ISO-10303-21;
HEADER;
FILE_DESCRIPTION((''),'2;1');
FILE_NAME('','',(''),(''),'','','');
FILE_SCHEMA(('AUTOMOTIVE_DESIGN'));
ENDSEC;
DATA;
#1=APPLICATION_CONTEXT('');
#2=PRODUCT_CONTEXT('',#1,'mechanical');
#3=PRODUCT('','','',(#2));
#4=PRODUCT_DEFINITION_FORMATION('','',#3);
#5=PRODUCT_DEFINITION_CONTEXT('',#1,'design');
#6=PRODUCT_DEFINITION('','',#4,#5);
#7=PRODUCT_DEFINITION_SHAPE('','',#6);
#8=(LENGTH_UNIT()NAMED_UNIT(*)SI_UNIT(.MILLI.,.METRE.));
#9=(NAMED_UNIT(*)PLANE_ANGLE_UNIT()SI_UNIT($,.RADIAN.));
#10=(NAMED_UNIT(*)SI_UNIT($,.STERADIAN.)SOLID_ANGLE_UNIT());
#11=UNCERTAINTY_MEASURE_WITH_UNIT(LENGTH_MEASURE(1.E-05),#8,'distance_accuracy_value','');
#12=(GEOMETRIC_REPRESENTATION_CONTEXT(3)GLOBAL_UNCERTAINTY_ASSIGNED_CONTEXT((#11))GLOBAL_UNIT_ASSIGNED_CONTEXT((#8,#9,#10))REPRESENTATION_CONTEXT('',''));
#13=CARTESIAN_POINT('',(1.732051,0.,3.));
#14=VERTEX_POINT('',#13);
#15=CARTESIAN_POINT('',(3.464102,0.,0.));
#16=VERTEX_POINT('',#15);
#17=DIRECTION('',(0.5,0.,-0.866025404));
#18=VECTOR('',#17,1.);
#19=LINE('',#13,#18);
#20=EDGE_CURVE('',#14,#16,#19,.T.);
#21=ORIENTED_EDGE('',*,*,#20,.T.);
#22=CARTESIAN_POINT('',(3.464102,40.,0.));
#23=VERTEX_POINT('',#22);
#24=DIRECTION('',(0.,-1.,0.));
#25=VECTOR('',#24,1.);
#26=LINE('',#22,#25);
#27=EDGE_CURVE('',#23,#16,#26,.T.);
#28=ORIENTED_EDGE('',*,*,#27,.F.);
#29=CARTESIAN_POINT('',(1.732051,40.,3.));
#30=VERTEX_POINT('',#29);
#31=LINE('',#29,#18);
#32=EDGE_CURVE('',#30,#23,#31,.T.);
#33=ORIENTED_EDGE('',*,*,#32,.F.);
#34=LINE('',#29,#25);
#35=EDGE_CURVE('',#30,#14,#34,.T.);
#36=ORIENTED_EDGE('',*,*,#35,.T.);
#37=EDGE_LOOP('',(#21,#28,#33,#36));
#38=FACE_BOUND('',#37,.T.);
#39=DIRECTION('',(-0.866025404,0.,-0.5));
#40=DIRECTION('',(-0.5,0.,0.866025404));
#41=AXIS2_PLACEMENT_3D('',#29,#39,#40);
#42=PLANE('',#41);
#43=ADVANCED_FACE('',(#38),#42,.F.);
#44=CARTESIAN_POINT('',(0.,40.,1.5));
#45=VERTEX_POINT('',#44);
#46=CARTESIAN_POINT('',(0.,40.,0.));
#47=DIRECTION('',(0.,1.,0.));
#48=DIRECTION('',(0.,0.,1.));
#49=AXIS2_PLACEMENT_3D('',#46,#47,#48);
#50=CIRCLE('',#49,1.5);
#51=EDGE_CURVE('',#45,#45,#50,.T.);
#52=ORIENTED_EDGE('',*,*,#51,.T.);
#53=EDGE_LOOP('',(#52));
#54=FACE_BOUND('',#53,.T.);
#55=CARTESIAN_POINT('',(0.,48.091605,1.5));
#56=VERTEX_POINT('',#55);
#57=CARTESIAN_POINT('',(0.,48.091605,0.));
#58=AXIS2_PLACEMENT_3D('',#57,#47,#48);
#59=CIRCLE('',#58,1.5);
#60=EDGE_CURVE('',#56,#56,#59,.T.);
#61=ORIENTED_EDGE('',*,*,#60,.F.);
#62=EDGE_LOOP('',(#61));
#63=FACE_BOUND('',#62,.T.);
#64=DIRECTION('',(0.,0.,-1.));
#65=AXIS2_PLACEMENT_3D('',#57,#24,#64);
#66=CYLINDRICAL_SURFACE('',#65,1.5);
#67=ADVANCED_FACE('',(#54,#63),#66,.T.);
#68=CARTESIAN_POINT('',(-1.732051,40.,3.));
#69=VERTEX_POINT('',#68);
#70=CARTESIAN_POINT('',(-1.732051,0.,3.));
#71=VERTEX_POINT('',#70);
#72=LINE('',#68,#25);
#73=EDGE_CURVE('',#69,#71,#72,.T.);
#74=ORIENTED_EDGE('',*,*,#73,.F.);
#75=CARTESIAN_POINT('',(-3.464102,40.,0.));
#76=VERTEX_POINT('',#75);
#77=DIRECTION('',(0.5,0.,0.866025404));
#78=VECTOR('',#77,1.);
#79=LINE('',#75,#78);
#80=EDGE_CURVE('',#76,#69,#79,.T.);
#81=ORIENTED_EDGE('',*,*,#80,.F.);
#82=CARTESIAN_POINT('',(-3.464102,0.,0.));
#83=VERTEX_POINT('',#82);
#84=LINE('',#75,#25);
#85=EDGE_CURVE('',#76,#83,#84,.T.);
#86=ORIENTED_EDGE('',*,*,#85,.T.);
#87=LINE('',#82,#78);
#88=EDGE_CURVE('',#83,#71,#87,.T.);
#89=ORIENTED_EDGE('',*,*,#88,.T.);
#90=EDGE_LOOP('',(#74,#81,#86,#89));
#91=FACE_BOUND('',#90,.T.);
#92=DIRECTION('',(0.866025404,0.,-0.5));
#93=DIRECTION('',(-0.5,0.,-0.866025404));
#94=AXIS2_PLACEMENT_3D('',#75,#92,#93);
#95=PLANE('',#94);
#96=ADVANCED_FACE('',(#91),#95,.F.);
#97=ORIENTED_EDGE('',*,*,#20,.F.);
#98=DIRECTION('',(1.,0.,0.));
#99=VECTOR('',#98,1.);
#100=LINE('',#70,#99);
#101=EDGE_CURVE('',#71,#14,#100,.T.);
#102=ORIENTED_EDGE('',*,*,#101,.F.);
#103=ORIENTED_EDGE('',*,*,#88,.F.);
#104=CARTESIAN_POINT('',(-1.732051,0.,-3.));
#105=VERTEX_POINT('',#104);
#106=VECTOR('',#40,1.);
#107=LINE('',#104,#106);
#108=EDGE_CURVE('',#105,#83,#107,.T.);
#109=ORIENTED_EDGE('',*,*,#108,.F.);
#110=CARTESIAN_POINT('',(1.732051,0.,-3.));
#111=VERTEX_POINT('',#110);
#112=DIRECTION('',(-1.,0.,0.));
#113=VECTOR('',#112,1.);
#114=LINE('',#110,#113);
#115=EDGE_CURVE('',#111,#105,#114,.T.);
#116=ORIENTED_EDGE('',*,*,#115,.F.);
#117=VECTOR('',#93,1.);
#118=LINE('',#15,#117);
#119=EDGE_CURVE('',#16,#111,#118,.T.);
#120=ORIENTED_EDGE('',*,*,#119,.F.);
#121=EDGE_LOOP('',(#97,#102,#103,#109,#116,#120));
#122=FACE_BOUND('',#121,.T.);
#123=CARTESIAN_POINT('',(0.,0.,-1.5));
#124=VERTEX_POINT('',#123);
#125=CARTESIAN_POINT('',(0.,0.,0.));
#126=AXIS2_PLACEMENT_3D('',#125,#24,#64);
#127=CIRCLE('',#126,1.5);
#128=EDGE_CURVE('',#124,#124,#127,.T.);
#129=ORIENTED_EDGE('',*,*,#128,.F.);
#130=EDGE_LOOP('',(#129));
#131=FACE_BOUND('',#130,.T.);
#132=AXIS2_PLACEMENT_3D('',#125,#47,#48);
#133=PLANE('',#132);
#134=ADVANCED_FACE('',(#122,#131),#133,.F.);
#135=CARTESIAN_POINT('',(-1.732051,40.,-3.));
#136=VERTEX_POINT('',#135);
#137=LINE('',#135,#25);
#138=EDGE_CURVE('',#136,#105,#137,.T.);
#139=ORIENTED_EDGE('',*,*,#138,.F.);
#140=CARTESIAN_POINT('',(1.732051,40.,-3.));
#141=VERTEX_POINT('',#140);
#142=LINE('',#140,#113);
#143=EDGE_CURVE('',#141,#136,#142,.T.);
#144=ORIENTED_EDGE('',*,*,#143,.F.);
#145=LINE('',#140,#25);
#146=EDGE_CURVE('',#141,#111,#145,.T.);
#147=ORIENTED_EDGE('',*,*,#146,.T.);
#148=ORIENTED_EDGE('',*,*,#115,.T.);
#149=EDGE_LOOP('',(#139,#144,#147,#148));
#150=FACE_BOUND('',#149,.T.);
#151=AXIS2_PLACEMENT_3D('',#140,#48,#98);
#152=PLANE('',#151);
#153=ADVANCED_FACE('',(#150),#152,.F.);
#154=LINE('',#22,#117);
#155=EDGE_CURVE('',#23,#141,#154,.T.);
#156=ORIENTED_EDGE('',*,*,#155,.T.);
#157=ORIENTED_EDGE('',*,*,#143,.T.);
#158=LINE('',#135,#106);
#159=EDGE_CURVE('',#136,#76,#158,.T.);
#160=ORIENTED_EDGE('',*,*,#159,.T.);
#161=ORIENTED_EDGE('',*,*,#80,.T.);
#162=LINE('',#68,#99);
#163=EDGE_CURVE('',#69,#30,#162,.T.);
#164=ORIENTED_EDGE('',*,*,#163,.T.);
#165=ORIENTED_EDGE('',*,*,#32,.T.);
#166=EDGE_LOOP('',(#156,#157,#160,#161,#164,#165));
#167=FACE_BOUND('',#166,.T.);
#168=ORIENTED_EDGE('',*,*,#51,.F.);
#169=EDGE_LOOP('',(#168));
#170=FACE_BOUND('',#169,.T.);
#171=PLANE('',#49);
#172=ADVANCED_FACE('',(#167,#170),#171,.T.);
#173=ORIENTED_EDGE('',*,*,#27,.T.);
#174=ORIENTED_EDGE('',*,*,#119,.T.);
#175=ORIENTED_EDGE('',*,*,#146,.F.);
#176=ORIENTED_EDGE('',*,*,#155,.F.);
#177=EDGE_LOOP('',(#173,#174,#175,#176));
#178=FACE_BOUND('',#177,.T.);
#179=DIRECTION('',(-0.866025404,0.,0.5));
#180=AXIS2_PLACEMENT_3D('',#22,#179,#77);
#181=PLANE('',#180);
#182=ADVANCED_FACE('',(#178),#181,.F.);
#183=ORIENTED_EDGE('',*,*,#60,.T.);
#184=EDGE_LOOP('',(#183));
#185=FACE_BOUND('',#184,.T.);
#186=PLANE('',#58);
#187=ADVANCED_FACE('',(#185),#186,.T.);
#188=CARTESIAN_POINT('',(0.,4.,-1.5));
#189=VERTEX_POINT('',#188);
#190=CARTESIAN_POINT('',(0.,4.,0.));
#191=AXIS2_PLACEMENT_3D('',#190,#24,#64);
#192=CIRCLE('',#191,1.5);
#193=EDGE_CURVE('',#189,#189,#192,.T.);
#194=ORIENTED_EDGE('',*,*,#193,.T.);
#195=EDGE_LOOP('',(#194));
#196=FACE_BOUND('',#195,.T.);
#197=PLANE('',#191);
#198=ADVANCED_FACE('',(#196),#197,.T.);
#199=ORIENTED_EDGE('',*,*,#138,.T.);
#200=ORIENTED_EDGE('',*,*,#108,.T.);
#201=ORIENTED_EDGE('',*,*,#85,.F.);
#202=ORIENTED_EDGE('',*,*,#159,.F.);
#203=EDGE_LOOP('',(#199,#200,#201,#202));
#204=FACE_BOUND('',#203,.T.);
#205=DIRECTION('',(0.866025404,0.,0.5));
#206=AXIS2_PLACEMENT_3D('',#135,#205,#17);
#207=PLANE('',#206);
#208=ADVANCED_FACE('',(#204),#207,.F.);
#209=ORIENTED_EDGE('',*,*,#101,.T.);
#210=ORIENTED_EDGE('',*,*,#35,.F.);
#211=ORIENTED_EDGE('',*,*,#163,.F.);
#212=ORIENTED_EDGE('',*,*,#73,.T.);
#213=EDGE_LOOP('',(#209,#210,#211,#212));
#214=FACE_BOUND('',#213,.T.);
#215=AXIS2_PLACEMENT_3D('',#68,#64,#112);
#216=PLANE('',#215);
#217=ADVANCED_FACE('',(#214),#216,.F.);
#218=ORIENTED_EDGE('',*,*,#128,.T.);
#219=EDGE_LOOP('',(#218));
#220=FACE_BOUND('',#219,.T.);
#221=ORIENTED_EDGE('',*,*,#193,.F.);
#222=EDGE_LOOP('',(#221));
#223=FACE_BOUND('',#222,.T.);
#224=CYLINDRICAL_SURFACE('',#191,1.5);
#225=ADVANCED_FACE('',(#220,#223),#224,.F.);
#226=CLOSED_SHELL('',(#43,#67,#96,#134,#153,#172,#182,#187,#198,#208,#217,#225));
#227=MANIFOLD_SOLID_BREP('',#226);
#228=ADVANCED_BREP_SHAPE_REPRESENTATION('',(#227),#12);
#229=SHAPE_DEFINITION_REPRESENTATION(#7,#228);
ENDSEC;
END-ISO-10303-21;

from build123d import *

# Parameters (mm, degrees)
BOSS_EXTRUDE1_DEPTH = 40
SKETCH5_R           = 1.5
BOSS_EXTRUDE2_DEPTH = 8.091605471
SKETCH6_R           = 1.5
CUT_EXTRUDE1_DEPTH  = 4


with BuildPart() as part:
    # Sketch3 → Boss-Extrude1 (new body)
    with BuildSketch(Plane(origin=(0, 0, 0), x_dir=(1, 0, 0), z_dir=(0, 1, 0))):
        Polygon((-3.464101615, 0), (-1.732050808, -3), (1.732050808, -3), (3.464101615, 0), (1.732050808, 3), (-1.732050808, 3), align=None)
    extrude(amount=BOSS_EXTRUDE1_DEPTH)

    # Sketch5 → Boss-Extrude2 (add)
    with BuildSketch(Plane(origin=(0, 40, 0), x_dir=(1, 0, 0), z_dir=(0, 1, 0))):
        with Locations(Location((0, 0, 0), (0, 0, 270))):
            Circle(SKETCH5_R)
    extrude(amount=BOSS_EXTRUDE2_DEPTH)

    # Sketch6 → Cut-Extrude1 (cut)
    with BuildSketch(Plane.XZ):
        with Locations(Location((0, 0, 0), (0, 0, 90))):
            Circle(SKETCH6_R)
    extrude(amount=-CUT_EXTRUDE1_DEPTH, mode=Mode.SUBTRACT)


solid = part.part
